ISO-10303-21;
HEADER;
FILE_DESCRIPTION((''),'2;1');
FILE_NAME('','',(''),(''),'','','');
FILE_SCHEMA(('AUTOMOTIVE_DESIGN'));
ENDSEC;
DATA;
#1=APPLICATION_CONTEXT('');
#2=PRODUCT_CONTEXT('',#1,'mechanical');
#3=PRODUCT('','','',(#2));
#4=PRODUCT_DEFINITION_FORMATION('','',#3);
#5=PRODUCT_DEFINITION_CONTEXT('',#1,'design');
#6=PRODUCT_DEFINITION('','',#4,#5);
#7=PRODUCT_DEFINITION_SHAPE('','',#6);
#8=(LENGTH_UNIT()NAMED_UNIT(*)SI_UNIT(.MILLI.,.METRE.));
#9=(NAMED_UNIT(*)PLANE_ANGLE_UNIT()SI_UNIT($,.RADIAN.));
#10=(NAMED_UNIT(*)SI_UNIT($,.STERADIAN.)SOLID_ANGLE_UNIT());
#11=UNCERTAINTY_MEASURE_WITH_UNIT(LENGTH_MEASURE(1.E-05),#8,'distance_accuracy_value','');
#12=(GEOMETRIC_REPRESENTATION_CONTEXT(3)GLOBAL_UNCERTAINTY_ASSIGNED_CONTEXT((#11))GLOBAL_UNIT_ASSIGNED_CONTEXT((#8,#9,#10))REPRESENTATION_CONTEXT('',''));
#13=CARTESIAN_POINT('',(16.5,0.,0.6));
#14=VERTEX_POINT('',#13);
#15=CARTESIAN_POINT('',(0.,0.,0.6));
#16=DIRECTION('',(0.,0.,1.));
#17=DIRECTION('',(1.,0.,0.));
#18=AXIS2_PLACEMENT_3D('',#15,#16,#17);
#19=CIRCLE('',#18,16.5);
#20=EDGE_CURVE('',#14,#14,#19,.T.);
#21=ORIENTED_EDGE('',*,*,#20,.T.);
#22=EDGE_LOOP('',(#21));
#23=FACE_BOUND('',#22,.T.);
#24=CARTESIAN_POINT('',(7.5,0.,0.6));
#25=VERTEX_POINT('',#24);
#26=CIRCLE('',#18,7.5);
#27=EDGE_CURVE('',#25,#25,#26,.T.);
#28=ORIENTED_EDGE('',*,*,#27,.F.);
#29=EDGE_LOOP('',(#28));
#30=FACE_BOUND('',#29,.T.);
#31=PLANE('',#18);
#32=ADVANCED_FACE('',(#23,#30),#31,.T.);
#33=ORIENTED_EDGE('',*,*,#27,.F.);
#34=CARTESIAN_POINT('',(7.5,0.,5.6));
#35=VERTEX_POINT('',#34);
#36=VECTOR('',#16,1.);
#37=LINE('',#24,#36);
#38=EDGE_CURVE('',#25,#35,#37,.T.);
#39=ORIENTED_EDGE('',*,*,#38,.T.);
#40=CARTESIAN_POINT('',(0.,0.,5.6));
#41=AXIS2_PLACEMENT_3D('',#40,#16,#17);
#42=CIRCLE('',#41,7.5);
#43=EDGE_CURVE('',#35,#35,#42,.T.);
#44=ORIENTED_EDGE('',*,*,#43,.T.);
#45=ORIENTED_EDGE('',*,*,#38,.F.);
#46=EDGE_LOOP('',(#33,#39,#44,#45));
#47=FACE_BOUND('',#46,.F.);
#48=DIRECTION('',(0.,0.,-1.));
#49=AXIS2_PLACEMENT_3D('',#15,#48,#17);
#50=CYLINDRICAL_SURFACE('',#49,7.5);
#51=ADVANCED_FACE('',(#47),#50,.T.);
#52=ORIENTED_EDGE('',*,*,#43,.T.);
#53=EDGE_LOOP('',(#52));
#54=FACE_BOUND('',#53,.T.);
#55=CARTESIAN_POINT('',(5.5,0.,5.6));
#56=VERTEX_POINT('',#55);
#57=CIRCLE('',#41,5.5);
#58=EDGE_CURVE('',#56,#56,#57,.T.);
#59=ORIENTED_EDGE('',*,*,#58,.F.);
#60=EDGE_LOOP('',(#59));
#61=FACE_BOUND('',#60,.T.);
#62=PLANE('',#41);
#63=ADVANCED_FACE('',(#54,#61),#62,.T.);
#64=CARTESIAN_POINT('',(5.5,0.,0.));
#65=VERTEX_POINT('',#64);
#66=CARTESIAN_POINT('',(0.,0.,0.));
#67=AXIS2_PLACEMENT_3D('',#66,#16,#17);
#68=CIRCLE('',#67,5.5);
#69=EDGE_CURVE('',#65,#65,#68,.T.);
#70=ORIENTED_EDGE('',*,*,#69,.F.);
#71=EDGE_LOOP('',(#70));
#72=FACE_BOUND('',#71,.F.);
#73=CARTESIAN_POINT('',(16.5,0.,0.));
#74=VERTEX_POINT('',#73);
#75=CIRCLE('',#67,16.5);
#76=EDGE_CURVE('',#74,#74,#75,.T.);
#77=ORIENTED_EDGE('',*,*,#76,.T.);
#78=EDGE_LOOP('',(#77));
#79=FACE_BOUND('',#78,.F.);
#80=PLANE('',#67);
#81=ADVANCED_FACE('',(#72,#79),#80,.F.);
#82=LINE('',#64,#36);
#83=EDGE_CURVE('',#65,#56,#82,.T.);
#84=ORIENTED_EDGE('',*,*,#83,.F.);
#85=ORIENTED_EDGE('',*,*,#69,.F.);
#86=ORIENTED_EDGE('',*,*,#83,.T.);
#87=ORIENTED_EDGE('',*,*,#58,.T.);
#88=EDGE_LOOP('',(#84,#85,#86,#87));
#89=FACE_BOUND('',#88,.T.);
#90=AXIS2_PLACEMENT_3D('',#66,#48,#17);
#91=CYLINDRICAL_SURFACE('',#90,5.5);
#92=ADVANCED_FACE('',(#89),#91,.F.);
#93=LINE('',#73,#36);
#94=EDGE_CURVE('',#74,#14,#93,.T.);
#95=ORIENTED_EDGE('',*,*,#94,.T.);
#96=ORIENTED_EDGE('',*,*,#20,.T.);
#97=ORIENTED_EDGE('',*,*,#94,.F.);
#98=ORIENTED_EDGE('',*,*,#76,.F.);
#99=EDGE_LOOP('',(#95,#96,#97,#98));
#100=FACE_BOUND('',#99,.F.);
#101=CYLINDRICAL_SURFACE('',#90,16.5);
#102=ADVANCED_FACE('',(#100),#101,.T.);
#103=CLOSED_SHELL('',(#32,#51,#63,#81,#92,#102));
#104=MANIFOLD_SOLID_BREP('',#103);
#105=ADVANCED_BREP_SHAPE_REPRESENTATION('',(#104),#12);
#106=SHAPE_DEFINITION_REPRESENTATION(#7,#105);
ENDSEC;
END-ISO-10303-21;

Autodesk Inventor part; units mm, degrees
ref_plane "YZ Plane" through (0, 0, 0) normal (1, 0, 0) x (0, 1, 0)
ref_plane "XZ Plane" through (0, 0, 0) normal (0, 1, 0) x (-1, 0, 0)
ref_plane "XY Plane" through (0, 0, 0) normal (0, 0, 1) x (1, 0, 0)
sketch "Skizze1" plane through (0, 0, 0) normal (0, 0, 1) x (1, 0, 0)
  circle A0 centre (0, 0) radius 16.5
  circle A1 centre (0, 0) radius 5.5
  dimension "d0" = 33
  dimension "d1" = 11
extrude "Extrusion1" add sketch "Skizze1" along normal blind 0.6
sketch "Skizze2" plane through (0, 0, 0.6) normal (0, 0, 1) x (1, 0, 0)
  circle A0 centre (0, 0) radius 16.5 projected
  circle A1 centre (0, 0) radius 5.5 projected
  circle A2 centre (0, 0) radius 7.5
  dimension "d4" = 15
extrude "Extrusion2" add sketch "Skizze2" along normal blind 5 contours A2
properties part number "IM_Matchboxscope_lightdiffusor_ring"
